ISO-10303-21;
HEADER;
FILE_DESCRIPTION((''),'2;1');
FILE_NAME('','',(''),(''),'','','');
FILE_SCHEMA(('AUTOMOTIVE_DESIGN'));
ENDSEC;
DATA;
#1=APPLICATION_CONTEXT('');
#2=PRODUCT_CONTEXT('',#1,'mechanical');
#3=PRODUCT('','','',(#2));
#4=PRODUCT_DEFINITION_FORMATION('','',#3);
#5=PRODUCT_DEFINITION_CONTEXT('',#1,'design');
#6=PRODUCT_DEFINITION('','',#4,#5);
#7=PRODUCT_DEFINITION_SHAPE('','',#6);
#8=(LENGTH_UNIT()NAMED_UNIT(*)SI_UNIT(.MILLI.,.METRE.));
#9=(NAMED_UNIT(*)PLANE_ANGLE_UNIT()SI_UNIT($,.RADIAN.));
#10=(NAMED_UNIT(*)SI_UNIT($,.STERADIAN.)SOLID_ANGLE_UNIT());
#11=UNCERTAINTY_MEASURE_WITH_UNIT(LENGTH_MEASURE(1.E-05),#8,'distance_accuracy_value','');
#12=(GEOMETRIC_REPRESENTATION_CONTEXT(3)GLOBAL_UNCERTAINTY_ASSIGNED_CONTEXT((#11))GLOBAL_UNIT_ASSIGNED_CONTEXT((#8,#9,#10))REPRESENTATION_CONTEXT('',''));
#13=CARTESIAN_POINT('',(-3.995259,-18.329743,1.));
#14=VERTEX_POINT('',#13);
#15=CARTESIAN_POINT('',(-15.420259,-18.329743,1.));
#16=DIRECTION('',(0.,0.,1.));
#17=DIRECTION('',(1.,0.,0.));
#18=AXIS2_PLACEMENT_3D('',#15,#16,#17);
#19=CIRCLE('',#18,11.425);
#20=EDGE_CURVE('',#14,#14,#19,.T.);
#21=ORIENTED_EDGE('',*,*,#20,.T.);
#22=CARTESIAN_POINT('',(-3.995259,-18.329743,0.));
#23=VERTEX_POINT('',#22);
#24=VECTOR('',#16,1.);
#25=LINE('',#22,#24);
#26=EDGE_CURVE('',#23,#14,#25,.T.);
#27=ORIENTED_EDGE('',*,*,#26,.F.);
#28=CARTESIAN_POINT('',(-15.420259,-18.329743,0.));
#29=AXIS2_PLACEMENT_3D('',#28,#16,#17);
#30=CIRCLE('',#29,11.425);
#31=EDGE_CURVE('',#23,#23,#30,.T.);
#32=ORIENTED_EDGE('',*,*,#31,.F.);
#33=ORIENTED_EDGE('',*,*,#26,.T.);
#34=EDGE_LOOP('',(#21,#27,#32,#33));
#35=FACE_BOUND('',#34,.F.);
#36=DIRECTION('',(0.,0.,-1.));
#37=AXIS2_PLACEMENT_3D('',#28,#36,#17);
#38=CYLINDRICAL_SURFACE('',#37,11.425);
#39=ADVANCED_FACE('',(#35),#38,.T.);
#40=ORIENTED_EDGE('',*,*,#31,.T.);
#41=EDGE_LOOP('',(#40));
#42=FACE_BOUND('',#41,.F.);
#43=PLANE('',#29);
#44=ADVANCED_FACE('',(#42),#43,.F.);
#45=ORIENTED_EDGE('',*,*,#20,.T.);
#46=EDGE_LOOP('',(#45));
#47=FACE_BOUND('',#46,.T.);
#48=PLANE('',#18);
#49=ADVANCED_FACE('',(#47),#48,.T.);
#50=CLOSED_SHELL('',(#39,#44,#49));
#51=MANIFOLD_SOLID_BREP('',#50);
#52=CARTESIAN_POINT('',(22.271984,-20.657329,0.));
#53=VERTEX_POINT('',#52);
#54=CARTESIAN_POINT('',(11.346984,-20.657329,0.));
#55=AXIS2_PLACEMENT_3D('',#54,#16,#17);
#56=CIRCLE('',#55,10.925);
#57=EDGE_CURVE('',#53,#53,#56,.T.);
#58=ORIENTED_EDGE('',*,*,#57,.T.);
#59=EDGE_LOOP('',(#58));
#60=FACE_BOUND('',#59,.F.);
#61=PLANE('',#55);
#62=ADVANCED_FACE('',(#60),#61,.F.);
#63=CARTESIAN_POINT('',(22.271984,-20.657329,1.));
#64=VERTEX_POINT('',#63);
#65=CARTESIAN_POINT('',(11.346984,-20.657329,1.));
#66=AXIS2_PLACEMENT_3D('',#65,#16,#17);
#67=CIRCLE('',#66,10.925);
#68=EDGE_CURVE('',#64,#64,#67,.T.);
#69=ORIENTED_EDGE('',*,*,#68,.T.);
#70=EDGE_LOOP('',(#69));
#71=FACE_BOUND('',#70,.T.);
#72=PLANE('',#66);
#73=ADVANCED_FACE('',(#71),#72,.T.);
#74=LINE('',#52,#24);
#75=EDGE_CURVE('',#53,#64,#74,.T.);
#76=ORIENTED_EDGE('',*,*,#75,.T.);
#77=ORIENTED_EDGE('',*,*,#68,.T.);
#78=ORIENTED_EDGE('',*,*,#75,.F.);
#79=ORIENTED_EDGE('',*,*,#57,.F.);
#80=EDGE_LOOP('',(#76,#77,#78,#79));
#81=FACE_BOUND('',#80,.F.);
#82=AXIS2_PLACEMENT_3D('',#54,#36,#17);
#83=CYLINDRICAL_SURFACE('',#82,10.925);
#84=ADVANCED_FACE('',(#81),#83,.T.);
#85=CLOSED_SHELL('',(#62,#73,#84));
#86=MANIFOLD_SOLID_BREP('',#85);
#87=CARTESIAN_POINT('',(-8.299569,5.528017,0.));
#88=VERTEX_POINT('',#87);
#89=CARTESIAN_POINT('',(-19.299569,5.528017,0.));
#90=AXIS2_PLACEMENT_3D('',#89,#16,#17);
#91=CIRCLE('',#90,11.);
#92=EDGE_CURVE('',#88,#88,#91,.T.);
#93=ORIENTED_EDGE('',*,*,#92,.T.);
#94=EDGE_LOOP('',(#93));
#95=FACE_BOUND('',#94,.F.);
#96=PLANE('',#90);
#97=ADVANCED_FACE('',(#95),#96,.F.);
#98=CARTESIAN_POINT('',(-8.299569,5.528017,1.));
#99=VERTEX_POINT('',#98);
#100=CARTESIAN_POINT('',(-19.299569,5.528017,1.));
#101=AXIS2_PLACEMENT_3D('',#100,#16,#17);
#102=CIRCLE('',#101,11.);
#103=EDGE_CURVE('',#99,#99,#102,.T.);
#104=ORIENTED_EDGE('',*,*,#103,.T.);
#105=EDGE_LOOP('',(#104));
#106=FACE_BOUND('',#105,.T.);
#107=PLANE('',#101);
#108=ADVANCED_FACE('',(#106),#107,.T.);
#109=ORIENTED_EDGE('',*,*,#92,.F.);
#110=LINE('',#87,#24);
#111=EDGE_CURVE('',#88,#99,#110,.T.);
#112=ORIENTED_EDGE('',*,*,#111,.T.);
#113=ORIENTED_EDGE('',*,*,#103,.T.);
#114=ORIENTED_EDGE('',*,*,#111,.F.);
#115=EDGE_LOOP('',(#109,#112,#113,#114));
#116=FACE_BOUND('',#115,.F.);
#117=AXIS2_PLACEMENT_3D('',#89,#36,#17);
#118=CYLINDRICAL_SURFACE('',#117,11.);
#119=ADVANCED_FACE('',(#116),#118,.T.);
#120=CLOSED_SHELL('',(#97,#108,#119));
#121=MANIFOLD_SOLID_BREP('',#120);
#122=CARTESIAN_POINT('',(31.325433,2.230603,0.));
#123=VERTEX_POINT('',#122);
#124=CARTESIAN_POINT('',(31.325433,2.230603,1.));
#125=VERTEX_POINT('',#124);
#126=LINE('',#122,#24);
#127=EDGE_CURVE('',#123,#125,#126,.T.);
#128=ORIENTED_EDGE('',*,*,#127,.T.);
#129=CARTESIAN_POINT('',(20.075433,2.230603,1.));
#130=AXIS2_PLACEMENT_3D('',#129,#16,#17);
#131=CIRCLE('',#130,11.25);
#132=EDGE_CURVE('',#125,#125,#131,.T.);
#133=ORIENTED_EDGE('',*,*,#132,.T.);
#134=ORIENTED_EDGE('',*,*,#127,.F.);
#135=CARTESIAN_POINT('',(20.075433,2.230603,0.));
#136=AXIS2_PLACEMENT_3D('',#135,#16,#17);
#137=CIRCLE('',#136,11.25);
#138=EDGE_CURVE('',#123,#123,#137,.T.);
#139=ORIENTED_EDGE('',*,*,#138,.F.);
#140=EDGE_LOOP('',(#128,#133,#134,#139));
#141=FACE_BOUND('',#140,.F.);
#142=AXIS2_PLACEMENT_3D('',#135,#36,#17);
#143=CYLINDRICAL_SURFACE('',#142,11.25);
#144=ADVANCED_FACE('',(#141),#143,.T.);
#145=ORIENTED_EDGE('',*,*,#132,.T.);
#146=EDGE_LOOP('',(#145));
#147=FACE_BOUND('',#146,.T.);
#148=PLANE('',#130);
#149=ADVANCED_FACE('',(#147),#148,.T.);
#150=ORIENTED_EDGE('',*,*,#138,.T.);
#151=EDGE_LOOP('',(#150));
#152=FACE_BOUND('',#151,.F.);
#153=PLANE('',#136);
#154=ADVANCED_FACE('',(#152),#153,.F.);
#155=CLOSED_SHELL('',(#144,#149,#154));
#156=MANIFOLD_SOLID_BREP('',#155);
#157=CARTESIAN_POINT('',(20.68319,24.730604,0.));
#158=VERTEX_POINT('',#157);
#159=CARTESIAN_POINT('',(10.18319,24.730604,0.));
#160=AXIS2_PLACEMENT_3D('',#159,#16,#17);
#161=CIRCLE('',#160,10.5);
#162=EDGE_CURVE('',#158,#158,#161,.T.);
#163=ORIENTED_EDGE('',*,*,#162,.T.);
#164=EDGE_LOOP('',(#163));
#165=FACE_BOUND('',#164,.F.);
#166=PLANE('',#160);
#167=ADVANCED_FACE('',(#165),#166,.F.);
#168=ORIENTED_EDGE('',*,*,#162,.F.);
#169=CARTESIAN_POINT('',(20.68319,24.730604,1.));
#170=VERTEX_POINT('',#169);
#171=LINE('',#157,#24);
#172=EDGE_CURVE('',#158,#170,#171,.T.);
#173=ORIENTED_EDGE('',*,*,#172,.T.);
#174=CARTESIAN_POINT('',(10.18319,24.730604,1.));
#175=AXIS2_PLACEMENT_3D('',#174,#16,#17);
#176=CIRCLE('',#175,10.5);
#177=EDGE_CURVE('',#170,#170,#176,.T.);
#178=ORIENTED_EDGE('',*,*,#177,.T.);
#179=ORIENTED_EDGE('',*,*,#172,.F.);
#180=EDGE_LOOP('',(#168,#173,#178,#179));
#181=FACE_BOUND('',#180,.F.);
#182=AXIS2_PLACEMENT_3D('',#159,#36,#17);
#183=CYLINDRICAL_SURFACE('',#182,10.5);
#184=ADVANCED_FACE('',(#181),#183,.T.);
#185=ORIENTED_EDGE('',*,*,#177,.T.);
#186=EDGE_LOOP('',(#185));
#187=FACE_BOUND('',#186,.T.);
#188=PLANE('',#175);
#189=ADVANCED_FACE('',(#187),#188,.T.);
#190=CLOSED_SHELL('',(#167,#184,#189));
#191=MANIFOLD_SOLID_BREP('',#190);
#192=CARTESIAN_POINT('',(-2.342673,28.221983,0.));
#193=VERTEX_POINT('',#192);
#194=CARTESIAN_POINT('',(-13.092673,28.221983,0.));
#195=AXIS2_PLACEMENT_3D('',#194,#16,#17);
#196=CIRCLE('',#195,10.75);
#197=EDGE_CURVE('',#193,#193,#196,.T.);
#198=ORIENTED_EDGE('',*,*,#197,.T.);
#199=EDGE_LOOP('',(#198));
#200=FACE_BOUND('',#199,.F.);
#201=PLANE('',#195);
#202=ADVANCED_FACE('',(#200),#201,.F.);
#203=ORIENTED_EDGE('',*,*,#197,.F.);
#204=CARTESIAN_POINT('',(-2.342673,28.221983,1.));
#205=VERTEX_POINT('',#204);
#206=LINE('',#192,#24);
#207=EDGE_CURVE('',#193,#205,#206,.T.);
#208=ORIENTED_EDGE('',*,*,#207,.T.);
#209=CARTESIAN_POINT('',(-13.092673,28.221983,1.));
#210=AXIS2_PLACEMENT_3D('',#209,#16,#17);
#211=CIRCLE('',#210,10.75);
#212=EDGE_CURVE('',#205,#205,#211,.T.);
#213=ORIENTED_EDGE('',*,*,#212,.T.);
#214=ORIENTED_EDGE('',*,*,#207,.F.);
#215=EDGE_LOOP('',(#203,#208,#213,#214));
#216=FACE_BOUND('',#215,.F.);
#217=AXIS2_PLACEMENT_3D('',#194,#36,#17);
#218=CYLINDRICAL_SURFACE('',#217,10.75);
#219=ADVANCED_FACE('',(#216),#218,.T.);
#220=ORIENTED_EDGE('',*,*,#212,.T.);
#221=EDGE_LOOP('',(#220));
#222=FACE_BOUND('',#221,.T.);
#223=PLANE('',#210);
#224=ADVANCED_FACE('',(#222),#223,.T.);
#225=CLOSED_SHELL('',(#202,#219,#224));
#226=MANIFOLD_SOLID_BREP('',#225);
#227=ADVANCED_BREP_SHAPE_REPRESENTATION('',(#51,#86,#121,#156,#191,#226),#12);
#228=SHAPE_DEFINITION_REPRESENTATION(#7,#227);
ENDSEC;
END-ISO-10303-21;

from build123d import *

# Parameters (mm, degrees)
F0_R     = 10.925
F0_R_2   = 11.25
F0_R_3   = 10.5
F0_R_4   = 10.75
F0_R_5   = 11
F0_R_6   = 11.425
F1_DEPTH = 1


with BuildPart() as f1:
    # F0 (on Top) → F1 (new body)
    with BuildSketch(Plane.XY):
        with Locations((11.346984, -20.657329)):
            Circle(F0_R)
        with Locations((20.075433, 2.230603)):
            Circle(F0_R_2)
        with Locations((10.18319, 24.730604)):
            Circle(F0_R_3)
        with Locations((-13.092673, 28.221983)):
            Circle(F0_R_4)
        with Locations((-19.299569, 5.528017)):
            Circle(F0_R_5)
        with Locations((-15.420259, -18.329743)):
            Circle(F0_R_6)
    extrude(amount=F1_DEPTH)


solid = f1.part
